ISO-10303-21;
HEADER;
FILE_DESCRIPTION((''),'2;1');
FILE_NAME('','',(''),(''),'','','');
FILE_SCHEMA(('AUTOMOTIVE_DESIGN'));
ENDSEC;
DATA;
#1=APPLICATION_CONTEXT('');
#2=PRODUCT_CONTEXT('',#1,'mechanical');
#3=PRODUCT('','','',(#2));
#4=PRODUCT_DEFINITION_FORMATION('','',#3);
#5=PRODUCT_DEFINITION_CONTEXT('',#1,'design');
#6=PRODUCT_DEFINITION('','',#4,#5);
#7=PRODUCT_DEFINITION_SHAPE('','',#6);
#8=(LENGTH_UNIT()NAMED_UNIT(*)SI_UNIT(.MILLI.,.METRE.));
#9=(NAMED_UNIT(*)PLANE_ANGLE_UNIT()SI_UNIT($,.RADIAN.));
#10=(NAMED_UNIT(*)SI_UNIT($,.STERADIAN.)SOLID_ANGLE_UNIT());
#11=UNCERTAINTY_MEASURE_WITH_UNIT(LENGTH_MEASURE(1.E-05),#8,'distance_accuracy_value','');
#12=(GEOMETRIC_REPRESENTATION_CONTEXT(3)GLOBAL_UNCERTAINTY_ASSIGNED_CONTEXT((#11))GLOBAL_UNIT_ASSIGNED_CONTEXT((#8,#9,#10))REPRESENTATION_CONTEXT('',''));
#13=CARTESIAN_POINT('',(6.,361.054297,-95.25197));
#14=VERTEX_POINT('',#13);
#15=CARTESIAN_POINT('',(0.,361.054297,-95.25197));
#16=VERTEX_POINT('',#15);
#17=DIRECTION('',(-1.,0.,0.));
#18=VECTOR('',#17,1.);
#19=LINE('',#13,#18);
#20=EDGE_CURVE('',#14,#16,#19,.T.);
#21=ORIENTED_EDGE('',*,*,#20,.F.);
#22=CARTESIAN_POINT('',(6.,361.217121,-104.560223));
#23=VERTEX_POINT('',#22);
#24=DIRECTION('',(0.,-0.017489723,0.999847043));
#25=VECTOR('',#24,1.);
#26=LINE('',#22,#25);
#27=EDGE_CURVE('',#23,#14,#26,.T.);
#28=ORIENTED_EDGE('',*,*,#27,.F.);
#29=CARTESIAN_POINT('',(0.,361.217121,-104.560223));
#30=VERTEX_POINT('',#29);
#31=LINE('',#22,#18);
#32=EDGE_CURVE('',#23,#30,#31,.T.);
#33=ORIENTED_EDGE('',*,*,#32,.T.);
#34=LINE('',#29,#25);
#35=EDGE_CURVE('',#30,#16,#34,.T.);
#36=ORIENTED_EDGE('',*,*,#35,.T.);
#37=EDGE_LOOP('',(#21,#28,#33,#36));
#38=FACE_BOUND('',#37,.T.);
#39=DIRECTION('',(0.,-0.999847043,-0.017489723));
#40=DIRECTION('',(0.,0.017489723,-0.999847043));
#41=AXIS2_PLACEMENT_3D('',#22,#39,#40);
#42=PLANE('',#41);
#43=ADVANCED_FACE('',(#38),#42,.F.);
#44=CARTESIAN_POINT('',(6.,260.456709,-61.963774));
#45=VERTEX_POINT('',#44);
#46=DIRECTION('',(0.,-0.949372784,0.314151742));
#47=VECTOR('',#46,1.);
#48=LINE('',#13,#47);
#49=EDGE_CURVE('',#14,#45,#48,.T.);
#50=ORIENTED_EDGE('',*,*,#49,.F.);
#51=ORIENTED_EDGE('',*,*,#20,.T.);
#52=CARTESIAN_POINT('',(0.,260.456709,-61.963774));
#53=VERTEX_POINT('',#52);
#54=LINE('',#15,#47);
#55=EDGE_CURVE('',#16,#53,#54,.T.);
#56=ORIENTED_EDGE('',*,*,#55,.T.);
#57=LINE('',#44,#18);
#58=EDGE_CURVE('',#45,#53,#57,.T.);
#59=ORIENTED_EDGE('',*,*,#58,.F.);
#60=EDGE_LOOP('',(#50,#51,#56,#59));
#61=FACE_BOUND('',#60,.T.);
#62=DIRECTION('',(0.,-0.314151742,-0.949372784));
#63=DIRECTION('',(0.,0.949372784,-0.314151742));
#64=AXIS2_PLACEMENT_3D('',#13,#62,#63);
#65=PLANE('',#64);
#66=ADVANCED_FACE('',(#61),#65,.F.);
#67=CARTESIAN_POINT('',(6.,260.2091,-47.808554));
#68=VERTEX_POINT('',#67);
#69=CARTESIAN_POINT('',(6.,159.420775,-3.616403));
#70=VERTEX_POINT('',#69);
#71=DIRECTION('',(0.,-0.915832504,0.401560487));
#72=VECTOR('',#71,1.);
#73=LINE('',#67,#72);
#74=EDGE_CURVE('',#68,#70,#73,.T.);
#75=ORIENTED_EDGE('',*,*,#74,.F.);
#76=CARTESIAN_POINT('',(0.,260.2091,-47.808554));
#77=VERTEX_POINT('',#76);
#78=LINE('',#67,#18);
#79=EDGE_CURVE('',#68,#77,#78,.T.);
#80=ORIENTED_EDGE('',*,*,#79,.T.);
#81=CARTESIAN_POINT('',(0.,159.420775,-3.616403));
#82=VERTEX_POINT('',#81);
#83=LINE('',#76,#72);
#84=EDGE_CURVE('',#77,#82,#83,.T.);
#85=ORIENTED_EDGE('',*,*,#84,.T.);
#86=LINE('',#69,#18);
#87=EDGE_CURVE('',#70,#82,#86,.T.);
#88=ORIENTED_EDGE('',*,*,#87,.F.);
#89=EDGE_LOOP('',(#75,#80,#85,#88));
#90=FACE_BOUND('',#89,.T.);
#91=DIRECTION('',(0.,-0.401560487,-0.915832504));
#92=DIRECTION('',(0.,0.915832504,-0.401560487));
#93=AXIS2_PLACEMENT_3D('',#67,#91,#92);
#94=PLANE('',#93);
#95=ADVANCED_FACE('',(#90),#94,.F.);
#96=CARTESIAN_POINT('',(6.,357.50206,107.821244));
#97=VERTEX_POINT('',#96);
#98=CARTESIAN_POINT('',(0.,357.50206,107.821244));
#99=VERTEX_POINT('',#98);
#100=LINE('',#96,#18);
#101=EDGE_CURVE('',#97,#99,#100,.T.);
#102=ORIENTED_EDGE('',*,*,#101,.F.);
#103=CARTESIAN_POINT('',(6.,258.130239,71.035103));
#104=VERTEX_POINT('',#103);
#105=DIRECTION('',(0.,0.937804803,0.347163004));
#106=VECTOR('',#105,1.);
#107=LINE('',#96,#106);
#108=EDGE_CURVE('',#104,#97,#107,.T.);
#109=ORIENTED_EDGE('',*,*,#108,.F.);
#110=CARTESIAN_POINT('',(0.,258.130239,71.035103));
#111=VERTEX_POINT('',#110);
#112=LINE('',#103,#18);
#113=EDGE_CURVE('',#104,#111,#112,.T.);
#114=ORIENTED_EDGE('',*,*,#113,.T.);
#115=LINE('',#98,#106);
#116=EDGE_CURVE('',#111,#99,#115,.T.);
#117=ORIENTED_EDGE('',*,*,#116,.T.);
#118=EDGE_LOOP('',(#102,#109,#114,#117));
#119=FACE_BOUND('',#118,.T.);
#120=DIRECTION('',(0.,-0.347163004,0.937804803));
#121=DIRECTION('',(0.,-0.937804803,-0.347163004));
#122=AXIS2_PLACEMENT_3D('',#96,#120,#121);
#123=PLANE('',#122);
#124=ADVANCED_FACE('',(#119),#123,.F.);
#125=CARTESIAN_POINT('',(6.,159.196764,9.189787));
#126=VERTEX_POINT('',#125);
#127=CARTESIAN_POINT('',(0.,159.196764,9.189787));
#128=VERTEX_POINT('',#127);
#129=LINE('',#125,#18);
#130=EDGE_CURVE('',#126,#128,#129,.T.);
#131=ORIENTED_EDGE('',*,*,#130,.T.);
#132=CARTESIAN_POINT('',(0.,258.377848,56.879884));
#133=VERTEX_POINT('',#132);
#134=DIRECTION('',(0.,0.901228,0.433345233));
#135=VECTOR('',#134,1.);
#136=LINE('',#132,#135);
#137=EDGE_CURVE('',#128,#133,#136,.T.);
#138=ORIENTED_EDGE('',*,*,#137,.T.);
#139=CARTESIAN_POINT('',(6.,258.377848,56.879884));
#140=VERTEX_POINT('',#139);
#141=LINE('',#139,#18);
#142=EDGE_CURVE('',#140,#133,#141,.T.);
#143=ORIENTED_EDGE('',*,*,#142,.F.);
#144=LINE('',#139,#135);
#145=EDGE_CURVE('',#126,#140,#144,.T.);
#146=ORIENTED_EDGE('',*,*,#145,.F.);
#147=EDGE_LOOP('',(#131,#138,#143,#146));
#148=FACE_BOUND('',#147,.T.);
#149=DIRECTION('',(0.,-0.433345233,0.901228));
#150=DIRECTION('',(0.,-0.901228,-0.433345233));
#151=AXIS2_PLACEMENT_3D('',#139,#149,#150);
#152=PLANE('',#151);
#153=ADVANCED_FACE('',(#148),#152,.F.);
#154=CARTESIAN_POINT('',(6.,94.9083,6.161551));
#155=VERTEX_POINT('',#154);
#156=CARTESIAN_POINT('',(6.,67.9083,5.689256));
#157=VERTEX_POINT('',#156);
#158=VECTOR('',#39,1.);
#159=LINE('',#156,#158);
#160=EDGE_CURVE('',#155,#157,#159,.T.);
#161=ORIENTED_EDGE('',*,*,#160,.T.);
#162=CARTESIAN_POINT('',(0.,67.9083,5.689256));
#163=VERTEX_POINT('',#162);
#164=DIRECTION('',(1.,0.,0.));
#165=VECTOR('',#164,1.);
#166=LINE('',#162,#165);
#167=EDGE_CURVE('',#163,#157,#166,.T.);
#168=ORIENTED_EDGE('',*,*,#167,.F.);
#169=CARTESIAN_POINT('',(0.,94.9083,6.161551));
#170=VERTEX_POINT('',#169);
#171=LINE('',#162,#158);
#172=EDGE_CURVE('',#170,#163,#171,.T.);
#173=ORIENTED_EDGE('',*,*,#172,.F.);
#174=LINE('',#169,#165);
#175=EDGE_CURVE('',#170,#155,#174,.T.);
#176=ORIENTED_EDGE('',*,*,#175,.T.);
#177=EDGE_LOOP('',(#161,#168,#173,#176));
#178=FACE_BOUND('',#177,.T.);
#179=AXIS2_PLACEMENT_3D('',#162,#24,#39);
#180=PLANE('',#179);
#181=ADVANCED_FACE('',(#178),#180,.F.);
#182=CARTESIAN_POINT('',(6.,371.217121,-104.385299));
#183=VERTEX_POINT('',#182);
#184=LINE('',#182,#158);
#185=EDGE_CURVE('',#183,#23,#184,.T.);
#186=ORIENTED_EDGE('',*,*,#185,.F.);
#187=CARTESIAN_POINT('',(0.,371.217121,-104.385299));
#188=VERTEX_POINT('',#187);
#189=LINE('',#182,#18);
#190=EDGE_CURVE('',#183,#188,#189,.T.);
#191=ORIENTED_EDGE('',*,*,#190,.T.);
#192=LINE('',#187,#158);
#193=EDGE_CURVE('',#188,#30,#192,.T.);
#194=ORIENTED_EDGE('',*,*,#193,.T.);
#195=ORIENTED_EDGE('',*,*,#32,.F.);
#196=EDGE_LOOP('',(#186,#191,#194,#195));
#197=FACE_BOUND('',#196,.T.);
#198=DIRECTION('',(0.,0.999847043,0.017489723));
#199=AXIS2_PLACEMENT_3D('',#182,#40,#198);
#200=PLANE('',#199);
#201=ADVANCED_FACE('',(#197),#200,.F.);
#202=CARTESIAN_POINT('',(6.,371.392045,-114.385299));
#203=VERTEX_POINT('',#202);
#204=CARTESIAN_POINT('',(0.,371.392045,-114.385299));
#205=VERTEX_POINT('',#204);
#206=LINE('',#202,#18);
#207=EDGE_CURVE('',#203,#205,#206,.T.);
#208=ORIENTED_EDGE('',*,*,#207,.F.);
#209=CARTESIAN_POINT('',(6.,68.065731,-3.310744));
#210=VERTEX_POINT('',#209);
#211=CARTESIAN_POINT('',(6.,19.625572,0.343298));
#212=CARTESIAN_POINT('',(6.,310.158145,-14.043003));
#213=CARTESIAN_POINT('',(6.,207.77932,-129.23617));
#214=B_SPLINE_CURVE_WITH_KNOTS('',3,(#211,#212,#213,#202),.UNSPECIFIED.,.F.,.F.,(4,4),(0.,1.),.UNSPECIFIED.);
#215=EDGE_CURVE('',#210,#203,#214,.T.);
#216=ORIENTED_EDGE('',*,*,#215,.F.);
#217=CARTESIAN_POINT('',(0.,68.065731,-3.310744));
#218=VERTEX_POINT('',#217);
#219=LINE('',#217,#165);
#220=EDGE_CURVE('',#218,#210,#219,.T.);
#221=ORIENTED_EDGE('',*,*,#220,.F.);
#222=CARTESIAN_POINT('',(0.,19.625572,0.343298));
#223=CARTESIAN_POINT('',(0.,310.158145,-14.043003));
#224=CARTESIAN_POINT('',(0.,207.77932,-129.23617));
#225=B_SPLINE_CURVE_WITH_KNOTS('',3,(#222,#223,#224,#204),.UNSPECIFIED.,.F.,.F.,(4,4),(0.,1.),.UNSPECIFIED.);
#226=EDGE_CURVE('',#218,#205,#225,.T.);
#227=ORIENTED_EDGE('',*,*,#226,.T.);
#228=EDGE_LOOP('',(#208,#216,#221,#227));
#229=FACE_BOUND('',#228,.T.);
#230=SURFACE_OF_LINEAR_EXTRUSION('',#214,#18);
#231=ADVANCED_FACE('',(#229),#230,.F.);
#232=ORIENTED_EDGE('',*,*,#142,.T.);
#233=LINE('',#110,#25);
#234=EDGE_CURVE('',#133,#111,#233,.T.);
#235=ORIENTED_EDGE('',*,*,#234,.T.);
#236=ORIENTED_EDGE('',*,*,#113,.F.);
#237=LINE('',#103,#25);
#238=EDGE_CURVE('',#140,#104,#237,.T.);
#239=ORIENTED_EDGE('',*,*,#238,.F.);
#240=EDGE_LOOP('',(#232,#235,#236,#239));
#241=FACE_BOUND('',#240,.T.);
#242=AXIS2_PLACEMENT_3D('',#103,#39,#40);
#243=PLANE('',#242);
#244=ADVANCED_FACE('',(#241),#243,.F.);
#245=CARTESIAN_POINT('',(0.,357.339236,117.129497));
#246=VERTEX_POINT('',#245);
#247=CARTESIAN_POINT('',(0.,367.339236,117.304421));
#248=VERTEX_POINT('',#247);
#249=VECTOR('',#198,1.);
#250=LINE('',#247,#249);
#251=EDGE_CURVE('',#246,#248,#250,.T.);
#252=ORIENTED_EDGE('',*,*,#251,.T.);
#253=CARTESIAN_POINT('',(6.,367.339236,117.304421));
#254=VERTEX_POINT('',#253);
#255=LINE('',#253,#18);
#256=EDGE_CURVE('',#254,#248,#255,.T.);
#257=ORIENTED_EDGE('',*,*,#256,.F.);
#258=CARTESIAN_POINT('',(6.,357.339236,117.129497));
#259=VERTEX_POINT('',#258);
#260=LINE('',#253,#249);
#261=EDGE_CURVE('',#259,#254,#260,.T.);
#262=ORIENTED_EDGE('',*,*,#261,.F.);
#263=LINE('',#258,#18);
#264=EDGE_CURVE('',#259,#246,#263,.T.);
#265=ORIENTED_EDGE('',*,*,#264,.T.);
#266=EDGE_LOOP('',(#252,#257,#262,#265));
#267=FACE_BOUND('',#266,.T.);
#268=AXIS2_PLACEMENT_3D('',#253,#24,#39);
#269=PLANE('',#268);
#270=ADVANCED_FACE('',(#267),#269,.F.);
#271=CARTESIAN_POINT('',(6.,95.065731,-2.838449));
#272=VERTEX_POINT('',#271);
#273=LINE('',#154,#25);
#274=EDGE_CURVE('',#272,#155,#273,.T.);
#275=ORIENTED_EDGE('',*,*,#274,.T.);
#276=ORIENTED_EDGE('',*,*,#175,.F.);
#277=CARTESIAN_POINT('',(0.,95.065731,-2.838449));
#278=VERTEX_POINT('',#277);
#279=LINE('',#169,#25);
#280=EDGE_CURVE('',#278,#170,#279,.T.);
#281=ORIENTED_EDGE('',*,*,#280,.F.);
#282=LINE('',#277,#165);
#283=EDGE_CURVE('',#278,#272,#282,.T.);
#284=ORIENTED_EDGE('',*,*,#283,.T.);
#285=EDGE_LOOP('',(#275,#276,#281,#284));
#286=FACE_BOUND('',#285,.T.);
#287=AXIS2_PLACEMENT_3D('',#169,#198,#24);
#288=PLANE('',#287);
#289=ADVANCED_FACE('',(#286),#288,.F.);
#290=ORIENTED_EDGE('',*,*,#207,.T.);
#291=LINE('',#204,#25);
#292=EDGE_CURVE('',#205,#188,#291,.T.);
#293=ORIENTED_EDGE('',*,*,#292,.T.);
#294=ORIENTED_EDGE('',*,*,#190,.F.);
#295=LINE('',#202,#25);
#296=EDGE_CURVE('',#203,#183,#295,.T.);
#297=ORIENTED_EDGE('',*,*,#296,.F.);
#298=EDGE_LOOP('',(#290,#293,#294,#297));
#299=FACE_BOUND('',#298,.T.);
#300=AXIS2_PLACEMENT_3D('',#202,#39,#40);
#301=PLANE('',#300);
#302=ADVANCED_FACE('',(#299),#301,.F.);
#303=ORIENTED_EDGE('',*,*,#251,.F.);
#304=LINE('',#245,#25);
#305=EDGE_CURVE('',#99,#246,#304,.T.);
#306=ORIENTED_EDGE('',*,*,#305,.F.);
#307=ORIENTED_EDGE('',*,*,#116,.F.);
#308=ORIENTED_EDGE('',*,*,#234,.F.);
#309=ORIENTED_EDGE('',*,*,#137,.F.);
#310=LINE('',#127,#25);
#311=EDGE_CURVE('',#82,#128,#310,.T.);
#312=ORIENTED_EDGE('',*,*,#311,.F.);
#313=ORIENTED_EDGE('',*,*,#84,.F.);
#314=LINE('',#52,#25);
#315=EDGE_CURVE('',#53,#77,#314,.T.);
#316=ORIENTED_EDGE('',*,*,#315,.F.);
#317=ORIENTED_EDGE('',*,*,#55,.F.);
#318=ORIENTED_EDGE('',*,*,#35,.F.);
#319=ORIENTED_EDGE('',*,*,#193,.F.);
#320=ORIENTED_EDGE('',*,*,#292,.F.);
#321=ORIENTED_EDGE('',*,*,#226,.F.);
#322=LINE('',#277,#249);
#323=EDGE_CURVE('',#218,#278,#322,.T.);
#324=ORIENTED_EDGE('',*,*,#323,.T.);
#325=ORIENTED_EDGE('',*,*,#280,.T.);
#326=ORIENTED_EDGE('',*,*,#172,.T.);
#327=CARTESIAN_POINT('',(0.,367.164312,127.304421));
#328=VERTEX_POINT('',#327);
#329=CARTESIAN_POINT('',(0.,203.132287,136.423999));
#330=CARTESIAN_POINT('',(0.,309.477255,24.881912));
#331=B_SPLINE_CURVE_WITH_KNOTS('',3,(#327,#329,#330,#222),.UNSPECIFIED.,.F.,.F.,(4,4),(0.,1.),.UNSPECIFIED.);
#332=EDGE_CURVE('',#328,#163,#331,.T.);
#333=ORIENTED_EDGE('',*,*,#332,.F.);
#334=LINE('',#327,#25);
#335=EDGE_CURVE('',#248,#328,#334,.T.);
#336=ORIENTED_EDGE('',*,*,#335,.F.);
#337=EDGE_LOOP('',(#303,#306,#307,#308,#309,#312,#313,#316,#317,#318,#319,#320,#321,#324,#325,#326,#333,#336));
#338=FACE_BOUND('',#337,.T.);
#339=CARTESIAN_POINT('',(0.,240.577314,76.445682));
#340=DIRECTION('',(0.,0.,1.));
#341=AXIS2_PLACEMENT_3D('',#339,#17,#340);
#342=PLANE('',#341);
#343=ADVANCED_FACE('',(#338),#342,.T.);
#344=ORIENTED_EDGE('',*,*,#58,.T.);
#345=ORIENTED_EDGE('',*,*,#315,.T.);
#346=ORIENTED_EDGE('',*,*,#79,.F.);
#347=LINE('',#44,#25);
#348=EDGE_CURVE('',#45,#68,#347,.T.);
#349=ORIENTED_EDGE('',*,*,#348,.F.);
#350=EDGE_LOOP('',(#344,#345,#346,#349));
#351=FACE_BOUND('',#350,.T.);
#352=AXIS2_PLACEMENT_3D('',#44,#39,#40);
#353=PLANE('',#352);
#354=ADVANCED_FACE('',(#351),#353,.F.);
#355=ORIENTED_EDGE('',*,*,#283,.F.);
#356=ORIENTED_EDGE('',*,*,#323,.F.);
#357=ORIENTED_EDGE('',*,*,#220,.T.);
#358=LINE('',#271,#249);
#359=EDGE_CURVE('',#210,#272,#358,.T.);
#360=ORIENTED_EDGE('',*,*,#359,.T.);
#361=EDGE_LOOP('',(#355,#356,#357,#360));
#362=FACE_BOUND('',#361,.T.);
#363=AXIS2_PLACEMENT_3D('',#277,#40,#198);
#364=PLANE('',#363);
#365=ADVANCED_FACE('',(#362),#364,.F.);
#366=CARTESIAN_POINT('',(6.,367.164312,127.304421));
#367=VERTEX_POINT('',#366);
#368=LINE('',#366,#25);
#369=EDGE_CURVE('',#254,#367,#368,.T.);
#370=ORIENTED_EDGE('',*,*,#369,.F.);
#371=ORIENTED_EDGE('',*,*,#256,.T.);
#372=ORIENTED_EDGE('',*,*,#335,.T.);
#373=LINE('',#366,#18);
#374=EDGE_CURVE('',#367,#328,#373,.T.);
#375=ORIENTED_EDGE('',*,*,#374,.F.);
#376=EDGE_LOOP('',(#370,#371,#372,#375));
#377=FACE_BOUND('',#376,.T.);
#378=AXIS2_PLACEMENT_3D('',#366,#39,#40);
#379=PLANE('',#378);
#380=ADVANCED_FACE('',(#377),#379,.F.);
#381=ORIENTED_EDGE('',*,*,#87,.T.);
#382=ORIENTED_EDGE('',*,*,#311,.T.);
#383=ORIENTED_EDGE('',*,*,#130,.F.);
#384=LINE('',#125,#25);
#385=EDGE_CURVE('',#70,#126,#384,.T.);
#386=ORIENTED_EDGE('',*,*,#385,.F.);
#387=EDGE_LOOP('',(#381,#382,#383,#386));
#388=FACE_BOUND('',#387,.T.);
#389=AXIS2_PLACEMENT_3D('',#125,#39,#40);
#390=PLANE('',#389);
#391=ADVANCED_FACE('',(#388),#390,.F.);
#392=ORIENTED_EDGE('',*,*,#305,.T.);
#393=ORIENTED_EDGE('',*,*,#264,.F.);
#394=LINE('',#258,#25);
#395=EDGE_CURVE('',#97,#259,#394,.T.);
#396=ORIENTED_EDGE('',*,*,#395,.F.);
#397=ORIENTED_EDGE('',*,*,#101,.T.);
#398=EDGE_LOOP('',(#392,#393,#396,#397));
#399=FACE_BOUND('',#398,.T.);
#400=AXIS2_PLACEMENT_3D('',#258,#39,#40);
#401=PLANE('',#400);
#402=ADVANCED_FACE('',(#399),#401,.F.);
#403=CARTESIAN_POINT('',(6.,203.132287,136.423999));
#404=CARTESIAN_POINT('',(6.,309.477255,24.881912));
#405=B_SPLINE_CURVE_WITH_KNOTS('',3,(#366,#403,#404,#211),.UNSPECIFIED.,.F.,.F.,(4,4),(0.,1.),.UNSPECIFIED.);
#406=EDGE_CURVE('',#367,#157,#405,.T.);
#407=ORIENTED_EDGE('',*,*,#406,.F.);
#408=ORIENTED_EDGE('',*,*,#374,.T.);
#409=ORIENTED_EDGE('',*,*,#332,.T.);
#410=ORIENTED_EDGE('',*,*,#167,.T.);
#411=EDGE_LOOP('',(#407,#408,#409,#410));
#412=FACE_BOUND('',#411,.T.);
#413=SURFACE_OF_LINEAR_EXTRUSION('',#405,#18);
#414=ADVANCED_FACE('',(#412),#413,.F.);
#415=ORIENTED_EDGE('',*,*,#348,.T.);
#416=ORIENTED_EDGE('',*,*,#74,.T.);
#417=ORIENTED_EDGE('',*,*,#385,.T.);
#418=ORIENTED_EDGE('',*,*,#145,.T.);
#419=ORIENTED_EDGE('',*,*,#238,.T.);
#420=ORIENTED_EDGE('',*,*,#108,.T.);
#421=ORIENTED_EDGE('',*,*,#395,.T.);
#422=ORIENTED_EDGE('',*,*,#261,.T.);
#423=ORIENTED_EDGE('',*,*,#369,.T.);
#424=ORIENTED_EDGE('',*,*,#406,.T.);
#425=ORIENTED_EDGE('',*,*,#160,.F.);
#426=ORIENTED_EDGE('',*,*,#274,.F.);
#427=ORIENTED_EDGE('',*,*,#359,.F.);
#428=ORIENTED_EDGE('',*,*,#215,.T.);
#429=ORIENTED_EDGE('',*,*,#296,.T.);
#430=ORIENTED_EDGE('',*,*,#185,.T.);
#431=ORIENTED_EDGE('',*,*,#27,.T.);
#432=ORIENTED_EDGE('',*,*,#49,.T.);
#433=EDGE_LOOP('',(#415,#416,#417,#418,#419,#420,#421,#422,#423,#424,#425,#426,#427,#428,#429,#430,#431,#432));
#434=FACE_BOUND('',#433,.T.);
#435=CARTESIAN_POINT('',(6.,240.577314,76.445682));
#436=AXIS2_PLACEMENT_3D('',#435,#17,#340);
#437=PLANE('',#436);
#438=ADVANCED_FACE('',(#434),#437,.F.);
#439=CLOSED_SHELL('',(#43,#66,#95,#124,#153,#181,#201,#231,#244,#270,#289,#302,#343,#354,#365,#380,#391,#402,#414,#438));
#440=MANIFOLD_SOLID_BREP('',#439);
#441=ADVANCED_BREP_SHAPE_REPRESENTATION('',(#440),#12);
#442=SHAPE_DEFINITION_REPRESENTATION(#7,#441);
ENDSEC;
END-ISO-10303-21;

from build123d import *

# Parameters (mm, degrees)
BOSS_EXTRU_3_DEPTH      = 6
ENL_V_MAT_EXTRU_1_DEPTH = 6


with BuildPart() as part:
    # Esquisse2 → Boss.-Extru.3 (new body)
    with BuildSketch(Plane(origin=(0, 0, 0), x_dir=(0, 0, -1), z_dir=(1, 0, 0))):
        with BuildLine():
            Line((-127.304421382, 367.164311993), (-117.304421382, 367.339235976))
            Line((-117.304421382, 367.339235976), (-117.129497399, 357.339235976))
            Line((-117.129497399, 357.339235976), (-107.821244193, 357.502059649))
            Line((-107.821244193, 357.502059649), (-71.035103248, 258.130239448))
            Line((-71.035103248, 258.130239448), (-56.879883539, 258.377848189))
            Line((-56.879883539, 258.377848189), (-9.189787464, 159.196764314))
            Line((-9.189787464, 159.196764314), (3.616402558, 159.420775291))
            Line((3.616402558, 159.420775291), (47.808554092, 260.209100037))
            Line((47.808554092, 260.209100037), (61.963773801, 260.456708778))
            Line((61.963773801, 260.456708778), (95.251970204, 361.054297197))
            Line((95.251970204, 361.054297197), (104.56022341, 361.21712087))
            Line((104.56022341, 361.21712087), (104.385299427, 371.21712087))
            Line((104.385299427, 371.21712087), (114.385299427, 371.392044853))
            add(Edge.make_bspline(
                [(114.385299427, 371.392044853), (129.236169542, 207.779320372), (14.043002516, 310.158145021), (-0.343298323, 19.625572046)],
                knots=[0, 0, 0, 0, 1, 1, 1, 1], degree=3))
            add(Edge.make_bspline(
                [(-127.304421382, 367.164311993), (-136.423999039, 203.132286892), (-24.881911728, 309.477254917), (-0.343298323, 19.625572046)],
                knots=[0, 0, 0, 0, 1, 1, 1, 1], degree=3))
        make_face()
    extrude(amount=BOSS_EXTRU_3_DEPTH)

    # Esquisse3 → Enlèv. mat.-Extru.1 (cut)
    with BuildSketch(Plane(origin=(6, 0, 0), x_dir=(0, 0, -1), z_dir=(1, 0, 0))):
        Polygon((-5.689255953, 67.908299674), (-6.161550707, 94.908299674), (2.838449293, 95.065731258), (3.310744047, 68.065731258), (55.065948486, -14.421177966), (-79.522524648, 25.192707995), align=None)
    extrude(amount=-ENL_V_MAT_EXTRU_1_DEPTH, mode=Mode.SUBTRACT)


solid = part.part
